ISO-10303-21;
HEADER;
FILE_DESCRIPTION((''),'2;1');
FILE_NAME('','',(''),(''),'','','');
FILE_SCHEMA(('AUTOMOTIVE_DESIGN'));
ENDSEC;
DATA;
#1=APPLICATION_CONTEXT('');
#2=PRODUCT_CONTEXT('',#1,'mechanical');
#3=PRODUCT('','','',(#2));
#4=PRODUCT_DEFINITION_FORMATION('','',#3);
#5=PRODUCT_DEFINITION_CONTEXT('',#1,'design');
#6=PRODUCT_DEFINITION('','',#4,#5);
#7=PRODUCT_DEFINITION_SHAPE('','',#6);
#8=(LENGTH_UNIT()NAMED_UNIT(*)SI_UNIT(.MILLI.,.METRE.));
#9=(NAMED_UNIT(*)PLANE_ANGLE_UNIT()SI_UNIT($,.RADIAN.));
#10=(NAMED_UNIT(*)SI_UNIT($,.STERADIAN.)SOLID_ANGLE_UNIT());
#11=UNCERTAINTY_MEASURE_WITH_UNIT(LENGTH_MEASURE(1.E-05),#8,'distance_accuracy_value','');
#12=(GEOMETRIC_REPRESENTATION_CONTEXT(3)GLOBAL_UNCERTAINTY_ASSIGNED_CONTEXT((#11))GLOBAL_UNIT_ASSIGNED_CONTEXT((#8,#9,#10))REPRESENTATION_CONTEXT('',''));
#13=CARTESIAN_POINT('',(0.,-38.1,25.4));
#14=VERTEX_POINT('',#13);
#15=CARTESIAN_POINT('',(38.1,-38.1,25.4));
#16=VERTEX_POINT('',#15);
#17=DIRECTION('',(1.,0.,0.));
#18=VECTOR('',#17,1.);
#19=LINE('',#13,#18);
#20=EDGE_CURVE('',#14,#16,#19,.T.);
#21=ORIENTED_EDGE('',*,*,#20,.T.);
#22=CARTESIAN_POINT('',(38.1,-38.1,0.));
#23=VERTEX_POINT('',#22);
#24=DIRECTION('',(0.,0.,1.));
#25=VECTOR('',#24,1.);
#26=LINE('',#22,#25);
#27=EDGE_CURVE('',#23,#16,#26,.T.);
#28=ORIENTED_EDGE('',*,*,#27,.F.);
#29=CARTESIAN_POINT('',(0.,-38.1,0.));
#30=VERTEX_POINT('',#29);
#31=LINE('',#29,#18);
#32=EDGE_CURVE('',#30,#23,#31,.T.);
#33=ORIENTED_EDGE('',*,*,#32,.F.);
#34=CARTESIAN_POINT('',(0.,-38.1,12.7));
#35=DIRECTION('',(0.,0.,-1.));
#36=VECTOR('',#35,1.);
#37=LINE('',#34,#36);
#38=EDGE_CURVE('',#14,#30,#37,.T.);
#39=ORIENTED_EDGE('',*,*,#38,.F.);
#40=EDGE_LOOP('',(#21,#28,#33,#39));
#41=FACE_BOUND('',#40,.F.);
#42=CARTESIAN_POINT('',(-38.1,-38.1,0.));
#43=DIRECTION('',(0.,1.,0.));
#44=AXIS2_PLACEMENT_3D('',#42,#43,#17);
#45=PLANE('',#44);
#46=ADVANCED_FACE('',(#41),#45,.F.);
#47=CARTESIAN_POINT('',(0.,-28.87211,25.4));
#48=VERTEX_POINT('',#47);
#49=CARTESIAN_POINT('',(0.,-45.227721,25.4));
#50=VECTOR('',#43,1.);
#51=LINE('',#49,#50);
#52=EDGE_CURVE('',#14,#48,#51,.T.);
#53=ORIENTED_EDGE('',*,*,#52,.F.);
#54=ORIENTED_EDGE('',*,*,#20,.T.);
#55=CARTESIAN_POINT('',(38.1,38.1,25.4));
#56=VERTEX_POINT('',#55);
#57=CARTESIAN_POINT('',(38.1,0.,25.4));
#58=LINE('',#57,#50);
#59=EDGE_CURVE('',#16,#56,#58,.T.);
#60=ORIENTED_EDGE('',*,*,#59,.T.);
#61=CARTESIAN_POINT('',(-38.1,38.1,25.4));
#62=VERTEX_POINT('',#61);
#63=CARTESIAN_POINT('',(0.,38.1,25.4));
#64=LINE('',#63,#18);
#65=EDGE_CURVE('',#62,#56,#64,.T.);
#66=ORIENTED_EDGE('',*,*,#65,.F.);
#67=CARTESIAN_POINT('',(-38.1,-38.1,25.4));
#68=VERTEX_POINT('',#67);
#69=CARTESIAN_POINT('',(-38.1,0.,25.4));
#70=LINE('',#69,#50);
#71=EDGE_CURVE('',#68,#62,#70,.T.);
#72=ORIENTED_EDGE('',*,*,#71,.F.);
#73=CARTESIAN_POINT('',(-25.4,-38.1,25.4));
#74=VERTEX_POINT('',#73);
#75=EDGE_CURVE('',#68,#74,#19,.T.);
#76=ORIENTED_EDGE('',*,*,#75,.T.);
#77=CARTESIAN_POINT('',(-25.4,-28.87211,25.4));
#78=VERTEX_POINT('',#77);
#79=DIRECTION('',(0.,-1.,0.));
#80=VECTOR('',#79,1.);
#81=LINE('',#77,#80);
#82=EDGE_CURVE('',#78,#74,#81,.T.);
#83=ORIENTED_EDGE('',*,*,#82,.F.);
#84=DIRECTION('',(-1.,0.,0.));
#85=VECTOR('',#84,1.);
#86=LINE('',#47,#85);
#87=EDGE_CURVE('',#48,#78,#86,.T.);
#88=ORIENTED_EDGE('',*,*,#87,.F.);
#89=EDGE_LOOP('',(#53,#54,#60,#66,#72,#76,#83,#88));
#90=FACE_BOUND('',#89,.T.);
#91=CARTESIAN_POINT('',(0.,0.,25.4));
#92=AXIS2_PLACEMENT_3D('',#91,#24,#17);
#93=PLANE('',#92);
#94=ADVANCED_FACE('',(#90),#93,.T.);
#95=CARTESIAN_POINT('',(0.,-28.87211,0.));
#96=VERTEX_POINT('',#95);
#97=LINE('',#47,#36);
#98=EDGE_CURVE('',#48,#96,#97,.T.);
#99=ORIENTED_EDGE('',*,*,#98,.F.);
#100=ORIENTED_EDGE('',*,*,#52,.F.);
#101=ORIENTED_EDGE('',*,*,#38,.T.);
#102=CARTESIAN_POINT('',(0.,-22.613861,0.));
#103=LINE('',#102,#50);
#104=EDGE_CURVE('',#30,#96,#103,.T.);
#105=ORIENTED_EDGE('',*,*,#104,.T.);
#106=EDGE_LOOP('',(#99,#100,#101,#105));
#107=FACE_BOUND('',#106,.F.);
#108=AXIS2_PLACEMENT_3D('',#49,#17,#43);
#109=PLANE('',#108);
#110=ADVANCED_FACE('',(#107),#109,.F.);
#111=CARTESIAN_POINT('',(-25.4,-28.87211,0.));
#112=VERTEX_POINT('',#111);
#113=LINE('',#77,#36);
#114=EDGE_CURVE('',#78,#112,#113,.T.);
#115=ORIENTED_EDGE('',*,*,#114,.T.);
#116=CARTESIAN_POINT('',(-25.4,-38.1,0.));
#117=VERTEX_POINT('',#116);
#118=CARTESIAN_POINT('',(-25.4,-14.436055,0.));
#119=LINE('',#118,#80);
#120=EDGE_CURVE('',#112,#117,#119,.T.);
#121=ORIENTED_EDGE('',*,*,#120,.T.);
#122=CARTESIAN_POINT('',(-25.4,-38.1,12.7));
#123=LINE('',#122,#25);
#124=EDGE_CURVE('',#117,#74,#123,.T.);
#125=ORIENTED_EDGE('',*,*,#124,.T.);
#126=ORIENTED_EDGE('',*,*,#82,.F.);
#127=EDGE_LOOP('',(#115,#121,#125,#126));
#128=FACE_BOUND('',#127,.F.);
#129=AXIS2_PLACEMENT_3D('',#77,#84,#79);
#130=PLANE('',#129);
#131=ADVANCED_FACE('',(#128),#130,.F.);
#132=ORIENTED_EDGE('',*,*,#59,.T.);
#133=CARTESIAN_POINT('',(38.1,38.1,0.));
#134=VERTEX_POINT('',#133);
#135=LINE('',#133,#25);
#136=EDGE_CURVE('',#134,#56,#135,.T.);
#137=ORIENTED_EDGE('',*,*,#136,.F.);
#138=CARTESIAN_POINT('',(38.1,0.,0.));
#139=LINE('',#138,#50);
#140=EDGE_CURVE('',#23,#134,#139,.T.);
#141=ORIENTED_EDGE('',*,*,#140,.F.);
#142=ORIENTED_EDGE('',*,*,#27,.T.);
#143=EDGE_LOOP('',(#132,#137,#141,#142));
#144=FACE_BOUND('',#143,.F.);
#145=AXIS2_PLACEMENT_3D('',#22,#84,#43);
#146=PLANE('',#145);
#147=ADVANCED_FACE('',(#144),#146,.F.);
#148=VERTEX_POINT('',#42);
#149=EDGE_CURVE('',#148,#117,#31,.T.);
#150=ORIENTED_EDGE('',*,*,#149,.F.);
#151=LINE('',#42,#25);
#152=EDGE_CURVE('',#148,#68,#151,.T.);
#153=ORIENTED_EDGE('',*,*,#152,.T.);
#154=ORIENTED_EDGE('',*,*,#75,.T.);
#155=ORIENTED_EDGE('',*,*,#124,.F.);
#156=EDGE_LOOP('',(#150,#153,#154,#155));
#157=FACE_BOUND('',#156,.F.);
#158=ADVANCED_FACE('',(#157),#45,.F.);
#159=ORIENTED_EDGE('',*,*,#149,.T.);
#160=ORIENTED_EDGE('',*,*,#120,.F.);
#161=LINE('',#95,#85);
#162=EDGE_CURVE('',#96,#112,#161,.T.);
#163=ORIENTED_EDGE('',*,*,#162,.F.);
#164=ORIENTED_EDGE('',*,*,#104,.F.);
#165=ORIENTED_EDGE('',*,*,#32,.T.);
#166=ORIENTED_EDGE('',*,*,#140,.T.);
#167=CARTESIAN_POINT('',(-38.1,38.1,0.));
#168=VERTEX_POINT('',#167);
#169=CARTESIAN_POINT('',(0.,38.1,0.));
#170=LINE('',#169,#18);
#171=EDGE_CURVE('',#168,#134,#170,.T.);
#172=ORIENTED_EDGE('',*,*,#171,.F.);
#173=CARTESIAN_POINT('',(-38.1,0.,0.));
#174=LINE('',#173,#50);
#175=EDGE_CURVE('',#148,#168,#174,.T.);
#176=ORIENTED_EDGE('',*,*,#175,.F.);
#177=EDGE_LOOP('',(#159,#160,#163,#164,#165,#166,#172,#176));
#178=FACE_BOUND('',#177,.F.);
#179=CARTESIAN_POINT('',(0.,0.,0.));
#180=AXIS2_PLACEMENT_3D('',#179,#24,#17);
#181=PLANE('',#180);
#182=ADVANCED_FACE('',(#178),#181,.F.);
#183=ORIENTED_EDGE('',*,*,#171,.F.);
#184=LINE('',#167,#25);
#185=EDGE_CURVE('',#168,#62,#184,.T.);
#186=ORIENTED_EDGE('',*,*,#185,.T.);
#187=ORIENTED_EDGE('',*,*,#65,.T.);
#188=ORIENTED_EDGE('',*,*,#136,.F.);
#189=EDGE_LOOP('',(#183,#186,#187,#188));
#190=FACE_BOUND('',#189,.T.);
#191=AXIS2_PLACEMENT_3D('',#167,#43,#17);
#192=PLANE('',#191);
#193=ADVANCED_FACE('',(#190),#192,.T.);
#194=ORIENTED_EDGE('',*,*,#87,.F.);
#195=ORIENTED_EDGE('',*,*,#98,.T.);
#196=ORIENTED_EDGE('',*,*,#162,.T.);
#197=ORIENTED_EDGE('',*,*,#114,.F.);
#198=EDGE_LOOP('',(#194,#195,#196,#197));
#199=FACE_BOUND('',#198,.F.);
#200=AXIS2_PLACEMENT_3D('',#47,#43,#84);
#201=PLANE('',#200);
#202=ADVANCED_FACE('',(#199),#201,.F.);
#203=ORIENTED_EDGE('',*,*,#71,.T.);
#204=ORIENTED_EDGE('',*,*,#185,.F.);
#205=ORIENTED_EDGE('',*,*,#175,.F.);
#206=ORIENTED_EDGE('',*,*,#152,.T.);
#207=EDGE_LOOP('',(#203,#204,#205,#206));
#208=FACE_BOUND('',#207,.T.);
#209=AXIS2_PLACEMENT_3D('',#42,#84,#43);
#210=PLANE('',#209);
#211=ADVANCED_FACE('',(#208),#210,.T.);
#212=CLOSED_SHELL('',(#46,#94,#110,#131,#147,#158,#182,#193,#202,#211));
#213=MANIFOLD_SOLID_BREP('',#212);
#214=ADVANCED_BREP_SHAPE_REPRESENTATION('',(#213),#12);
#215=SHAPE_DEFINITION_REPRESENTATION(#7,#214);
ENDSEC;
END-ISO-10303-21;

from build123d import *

# Parameters (mm, degrees)
F0_W     = 76.2
F0_H     = 76.2
F1_DEPTH = 25.4
F4_DEPTH = 32.766


with BuildPart() as f1:
    # F0 (on Top) → F1 (new body)
    with BuildSketch(Plane.XY):
        Rectangle(F0_W, F0_H)
    extrude(amount=F1_DEPTH)

    # F3 (on face) → F4 (cut)
    with BuildSketch(Plane.XY.offset(25.4)):
        Polygon((-25.4, -28.87211), (-25.4, -37.925228), (-25.4, -45.227721), (0, -45.227721), (0, -38.1), (0, -28.87211), align=None)
    extrude(amount=-F4_DEPTH, mode=Mode.SUBTRACT)


solid = f1.part
